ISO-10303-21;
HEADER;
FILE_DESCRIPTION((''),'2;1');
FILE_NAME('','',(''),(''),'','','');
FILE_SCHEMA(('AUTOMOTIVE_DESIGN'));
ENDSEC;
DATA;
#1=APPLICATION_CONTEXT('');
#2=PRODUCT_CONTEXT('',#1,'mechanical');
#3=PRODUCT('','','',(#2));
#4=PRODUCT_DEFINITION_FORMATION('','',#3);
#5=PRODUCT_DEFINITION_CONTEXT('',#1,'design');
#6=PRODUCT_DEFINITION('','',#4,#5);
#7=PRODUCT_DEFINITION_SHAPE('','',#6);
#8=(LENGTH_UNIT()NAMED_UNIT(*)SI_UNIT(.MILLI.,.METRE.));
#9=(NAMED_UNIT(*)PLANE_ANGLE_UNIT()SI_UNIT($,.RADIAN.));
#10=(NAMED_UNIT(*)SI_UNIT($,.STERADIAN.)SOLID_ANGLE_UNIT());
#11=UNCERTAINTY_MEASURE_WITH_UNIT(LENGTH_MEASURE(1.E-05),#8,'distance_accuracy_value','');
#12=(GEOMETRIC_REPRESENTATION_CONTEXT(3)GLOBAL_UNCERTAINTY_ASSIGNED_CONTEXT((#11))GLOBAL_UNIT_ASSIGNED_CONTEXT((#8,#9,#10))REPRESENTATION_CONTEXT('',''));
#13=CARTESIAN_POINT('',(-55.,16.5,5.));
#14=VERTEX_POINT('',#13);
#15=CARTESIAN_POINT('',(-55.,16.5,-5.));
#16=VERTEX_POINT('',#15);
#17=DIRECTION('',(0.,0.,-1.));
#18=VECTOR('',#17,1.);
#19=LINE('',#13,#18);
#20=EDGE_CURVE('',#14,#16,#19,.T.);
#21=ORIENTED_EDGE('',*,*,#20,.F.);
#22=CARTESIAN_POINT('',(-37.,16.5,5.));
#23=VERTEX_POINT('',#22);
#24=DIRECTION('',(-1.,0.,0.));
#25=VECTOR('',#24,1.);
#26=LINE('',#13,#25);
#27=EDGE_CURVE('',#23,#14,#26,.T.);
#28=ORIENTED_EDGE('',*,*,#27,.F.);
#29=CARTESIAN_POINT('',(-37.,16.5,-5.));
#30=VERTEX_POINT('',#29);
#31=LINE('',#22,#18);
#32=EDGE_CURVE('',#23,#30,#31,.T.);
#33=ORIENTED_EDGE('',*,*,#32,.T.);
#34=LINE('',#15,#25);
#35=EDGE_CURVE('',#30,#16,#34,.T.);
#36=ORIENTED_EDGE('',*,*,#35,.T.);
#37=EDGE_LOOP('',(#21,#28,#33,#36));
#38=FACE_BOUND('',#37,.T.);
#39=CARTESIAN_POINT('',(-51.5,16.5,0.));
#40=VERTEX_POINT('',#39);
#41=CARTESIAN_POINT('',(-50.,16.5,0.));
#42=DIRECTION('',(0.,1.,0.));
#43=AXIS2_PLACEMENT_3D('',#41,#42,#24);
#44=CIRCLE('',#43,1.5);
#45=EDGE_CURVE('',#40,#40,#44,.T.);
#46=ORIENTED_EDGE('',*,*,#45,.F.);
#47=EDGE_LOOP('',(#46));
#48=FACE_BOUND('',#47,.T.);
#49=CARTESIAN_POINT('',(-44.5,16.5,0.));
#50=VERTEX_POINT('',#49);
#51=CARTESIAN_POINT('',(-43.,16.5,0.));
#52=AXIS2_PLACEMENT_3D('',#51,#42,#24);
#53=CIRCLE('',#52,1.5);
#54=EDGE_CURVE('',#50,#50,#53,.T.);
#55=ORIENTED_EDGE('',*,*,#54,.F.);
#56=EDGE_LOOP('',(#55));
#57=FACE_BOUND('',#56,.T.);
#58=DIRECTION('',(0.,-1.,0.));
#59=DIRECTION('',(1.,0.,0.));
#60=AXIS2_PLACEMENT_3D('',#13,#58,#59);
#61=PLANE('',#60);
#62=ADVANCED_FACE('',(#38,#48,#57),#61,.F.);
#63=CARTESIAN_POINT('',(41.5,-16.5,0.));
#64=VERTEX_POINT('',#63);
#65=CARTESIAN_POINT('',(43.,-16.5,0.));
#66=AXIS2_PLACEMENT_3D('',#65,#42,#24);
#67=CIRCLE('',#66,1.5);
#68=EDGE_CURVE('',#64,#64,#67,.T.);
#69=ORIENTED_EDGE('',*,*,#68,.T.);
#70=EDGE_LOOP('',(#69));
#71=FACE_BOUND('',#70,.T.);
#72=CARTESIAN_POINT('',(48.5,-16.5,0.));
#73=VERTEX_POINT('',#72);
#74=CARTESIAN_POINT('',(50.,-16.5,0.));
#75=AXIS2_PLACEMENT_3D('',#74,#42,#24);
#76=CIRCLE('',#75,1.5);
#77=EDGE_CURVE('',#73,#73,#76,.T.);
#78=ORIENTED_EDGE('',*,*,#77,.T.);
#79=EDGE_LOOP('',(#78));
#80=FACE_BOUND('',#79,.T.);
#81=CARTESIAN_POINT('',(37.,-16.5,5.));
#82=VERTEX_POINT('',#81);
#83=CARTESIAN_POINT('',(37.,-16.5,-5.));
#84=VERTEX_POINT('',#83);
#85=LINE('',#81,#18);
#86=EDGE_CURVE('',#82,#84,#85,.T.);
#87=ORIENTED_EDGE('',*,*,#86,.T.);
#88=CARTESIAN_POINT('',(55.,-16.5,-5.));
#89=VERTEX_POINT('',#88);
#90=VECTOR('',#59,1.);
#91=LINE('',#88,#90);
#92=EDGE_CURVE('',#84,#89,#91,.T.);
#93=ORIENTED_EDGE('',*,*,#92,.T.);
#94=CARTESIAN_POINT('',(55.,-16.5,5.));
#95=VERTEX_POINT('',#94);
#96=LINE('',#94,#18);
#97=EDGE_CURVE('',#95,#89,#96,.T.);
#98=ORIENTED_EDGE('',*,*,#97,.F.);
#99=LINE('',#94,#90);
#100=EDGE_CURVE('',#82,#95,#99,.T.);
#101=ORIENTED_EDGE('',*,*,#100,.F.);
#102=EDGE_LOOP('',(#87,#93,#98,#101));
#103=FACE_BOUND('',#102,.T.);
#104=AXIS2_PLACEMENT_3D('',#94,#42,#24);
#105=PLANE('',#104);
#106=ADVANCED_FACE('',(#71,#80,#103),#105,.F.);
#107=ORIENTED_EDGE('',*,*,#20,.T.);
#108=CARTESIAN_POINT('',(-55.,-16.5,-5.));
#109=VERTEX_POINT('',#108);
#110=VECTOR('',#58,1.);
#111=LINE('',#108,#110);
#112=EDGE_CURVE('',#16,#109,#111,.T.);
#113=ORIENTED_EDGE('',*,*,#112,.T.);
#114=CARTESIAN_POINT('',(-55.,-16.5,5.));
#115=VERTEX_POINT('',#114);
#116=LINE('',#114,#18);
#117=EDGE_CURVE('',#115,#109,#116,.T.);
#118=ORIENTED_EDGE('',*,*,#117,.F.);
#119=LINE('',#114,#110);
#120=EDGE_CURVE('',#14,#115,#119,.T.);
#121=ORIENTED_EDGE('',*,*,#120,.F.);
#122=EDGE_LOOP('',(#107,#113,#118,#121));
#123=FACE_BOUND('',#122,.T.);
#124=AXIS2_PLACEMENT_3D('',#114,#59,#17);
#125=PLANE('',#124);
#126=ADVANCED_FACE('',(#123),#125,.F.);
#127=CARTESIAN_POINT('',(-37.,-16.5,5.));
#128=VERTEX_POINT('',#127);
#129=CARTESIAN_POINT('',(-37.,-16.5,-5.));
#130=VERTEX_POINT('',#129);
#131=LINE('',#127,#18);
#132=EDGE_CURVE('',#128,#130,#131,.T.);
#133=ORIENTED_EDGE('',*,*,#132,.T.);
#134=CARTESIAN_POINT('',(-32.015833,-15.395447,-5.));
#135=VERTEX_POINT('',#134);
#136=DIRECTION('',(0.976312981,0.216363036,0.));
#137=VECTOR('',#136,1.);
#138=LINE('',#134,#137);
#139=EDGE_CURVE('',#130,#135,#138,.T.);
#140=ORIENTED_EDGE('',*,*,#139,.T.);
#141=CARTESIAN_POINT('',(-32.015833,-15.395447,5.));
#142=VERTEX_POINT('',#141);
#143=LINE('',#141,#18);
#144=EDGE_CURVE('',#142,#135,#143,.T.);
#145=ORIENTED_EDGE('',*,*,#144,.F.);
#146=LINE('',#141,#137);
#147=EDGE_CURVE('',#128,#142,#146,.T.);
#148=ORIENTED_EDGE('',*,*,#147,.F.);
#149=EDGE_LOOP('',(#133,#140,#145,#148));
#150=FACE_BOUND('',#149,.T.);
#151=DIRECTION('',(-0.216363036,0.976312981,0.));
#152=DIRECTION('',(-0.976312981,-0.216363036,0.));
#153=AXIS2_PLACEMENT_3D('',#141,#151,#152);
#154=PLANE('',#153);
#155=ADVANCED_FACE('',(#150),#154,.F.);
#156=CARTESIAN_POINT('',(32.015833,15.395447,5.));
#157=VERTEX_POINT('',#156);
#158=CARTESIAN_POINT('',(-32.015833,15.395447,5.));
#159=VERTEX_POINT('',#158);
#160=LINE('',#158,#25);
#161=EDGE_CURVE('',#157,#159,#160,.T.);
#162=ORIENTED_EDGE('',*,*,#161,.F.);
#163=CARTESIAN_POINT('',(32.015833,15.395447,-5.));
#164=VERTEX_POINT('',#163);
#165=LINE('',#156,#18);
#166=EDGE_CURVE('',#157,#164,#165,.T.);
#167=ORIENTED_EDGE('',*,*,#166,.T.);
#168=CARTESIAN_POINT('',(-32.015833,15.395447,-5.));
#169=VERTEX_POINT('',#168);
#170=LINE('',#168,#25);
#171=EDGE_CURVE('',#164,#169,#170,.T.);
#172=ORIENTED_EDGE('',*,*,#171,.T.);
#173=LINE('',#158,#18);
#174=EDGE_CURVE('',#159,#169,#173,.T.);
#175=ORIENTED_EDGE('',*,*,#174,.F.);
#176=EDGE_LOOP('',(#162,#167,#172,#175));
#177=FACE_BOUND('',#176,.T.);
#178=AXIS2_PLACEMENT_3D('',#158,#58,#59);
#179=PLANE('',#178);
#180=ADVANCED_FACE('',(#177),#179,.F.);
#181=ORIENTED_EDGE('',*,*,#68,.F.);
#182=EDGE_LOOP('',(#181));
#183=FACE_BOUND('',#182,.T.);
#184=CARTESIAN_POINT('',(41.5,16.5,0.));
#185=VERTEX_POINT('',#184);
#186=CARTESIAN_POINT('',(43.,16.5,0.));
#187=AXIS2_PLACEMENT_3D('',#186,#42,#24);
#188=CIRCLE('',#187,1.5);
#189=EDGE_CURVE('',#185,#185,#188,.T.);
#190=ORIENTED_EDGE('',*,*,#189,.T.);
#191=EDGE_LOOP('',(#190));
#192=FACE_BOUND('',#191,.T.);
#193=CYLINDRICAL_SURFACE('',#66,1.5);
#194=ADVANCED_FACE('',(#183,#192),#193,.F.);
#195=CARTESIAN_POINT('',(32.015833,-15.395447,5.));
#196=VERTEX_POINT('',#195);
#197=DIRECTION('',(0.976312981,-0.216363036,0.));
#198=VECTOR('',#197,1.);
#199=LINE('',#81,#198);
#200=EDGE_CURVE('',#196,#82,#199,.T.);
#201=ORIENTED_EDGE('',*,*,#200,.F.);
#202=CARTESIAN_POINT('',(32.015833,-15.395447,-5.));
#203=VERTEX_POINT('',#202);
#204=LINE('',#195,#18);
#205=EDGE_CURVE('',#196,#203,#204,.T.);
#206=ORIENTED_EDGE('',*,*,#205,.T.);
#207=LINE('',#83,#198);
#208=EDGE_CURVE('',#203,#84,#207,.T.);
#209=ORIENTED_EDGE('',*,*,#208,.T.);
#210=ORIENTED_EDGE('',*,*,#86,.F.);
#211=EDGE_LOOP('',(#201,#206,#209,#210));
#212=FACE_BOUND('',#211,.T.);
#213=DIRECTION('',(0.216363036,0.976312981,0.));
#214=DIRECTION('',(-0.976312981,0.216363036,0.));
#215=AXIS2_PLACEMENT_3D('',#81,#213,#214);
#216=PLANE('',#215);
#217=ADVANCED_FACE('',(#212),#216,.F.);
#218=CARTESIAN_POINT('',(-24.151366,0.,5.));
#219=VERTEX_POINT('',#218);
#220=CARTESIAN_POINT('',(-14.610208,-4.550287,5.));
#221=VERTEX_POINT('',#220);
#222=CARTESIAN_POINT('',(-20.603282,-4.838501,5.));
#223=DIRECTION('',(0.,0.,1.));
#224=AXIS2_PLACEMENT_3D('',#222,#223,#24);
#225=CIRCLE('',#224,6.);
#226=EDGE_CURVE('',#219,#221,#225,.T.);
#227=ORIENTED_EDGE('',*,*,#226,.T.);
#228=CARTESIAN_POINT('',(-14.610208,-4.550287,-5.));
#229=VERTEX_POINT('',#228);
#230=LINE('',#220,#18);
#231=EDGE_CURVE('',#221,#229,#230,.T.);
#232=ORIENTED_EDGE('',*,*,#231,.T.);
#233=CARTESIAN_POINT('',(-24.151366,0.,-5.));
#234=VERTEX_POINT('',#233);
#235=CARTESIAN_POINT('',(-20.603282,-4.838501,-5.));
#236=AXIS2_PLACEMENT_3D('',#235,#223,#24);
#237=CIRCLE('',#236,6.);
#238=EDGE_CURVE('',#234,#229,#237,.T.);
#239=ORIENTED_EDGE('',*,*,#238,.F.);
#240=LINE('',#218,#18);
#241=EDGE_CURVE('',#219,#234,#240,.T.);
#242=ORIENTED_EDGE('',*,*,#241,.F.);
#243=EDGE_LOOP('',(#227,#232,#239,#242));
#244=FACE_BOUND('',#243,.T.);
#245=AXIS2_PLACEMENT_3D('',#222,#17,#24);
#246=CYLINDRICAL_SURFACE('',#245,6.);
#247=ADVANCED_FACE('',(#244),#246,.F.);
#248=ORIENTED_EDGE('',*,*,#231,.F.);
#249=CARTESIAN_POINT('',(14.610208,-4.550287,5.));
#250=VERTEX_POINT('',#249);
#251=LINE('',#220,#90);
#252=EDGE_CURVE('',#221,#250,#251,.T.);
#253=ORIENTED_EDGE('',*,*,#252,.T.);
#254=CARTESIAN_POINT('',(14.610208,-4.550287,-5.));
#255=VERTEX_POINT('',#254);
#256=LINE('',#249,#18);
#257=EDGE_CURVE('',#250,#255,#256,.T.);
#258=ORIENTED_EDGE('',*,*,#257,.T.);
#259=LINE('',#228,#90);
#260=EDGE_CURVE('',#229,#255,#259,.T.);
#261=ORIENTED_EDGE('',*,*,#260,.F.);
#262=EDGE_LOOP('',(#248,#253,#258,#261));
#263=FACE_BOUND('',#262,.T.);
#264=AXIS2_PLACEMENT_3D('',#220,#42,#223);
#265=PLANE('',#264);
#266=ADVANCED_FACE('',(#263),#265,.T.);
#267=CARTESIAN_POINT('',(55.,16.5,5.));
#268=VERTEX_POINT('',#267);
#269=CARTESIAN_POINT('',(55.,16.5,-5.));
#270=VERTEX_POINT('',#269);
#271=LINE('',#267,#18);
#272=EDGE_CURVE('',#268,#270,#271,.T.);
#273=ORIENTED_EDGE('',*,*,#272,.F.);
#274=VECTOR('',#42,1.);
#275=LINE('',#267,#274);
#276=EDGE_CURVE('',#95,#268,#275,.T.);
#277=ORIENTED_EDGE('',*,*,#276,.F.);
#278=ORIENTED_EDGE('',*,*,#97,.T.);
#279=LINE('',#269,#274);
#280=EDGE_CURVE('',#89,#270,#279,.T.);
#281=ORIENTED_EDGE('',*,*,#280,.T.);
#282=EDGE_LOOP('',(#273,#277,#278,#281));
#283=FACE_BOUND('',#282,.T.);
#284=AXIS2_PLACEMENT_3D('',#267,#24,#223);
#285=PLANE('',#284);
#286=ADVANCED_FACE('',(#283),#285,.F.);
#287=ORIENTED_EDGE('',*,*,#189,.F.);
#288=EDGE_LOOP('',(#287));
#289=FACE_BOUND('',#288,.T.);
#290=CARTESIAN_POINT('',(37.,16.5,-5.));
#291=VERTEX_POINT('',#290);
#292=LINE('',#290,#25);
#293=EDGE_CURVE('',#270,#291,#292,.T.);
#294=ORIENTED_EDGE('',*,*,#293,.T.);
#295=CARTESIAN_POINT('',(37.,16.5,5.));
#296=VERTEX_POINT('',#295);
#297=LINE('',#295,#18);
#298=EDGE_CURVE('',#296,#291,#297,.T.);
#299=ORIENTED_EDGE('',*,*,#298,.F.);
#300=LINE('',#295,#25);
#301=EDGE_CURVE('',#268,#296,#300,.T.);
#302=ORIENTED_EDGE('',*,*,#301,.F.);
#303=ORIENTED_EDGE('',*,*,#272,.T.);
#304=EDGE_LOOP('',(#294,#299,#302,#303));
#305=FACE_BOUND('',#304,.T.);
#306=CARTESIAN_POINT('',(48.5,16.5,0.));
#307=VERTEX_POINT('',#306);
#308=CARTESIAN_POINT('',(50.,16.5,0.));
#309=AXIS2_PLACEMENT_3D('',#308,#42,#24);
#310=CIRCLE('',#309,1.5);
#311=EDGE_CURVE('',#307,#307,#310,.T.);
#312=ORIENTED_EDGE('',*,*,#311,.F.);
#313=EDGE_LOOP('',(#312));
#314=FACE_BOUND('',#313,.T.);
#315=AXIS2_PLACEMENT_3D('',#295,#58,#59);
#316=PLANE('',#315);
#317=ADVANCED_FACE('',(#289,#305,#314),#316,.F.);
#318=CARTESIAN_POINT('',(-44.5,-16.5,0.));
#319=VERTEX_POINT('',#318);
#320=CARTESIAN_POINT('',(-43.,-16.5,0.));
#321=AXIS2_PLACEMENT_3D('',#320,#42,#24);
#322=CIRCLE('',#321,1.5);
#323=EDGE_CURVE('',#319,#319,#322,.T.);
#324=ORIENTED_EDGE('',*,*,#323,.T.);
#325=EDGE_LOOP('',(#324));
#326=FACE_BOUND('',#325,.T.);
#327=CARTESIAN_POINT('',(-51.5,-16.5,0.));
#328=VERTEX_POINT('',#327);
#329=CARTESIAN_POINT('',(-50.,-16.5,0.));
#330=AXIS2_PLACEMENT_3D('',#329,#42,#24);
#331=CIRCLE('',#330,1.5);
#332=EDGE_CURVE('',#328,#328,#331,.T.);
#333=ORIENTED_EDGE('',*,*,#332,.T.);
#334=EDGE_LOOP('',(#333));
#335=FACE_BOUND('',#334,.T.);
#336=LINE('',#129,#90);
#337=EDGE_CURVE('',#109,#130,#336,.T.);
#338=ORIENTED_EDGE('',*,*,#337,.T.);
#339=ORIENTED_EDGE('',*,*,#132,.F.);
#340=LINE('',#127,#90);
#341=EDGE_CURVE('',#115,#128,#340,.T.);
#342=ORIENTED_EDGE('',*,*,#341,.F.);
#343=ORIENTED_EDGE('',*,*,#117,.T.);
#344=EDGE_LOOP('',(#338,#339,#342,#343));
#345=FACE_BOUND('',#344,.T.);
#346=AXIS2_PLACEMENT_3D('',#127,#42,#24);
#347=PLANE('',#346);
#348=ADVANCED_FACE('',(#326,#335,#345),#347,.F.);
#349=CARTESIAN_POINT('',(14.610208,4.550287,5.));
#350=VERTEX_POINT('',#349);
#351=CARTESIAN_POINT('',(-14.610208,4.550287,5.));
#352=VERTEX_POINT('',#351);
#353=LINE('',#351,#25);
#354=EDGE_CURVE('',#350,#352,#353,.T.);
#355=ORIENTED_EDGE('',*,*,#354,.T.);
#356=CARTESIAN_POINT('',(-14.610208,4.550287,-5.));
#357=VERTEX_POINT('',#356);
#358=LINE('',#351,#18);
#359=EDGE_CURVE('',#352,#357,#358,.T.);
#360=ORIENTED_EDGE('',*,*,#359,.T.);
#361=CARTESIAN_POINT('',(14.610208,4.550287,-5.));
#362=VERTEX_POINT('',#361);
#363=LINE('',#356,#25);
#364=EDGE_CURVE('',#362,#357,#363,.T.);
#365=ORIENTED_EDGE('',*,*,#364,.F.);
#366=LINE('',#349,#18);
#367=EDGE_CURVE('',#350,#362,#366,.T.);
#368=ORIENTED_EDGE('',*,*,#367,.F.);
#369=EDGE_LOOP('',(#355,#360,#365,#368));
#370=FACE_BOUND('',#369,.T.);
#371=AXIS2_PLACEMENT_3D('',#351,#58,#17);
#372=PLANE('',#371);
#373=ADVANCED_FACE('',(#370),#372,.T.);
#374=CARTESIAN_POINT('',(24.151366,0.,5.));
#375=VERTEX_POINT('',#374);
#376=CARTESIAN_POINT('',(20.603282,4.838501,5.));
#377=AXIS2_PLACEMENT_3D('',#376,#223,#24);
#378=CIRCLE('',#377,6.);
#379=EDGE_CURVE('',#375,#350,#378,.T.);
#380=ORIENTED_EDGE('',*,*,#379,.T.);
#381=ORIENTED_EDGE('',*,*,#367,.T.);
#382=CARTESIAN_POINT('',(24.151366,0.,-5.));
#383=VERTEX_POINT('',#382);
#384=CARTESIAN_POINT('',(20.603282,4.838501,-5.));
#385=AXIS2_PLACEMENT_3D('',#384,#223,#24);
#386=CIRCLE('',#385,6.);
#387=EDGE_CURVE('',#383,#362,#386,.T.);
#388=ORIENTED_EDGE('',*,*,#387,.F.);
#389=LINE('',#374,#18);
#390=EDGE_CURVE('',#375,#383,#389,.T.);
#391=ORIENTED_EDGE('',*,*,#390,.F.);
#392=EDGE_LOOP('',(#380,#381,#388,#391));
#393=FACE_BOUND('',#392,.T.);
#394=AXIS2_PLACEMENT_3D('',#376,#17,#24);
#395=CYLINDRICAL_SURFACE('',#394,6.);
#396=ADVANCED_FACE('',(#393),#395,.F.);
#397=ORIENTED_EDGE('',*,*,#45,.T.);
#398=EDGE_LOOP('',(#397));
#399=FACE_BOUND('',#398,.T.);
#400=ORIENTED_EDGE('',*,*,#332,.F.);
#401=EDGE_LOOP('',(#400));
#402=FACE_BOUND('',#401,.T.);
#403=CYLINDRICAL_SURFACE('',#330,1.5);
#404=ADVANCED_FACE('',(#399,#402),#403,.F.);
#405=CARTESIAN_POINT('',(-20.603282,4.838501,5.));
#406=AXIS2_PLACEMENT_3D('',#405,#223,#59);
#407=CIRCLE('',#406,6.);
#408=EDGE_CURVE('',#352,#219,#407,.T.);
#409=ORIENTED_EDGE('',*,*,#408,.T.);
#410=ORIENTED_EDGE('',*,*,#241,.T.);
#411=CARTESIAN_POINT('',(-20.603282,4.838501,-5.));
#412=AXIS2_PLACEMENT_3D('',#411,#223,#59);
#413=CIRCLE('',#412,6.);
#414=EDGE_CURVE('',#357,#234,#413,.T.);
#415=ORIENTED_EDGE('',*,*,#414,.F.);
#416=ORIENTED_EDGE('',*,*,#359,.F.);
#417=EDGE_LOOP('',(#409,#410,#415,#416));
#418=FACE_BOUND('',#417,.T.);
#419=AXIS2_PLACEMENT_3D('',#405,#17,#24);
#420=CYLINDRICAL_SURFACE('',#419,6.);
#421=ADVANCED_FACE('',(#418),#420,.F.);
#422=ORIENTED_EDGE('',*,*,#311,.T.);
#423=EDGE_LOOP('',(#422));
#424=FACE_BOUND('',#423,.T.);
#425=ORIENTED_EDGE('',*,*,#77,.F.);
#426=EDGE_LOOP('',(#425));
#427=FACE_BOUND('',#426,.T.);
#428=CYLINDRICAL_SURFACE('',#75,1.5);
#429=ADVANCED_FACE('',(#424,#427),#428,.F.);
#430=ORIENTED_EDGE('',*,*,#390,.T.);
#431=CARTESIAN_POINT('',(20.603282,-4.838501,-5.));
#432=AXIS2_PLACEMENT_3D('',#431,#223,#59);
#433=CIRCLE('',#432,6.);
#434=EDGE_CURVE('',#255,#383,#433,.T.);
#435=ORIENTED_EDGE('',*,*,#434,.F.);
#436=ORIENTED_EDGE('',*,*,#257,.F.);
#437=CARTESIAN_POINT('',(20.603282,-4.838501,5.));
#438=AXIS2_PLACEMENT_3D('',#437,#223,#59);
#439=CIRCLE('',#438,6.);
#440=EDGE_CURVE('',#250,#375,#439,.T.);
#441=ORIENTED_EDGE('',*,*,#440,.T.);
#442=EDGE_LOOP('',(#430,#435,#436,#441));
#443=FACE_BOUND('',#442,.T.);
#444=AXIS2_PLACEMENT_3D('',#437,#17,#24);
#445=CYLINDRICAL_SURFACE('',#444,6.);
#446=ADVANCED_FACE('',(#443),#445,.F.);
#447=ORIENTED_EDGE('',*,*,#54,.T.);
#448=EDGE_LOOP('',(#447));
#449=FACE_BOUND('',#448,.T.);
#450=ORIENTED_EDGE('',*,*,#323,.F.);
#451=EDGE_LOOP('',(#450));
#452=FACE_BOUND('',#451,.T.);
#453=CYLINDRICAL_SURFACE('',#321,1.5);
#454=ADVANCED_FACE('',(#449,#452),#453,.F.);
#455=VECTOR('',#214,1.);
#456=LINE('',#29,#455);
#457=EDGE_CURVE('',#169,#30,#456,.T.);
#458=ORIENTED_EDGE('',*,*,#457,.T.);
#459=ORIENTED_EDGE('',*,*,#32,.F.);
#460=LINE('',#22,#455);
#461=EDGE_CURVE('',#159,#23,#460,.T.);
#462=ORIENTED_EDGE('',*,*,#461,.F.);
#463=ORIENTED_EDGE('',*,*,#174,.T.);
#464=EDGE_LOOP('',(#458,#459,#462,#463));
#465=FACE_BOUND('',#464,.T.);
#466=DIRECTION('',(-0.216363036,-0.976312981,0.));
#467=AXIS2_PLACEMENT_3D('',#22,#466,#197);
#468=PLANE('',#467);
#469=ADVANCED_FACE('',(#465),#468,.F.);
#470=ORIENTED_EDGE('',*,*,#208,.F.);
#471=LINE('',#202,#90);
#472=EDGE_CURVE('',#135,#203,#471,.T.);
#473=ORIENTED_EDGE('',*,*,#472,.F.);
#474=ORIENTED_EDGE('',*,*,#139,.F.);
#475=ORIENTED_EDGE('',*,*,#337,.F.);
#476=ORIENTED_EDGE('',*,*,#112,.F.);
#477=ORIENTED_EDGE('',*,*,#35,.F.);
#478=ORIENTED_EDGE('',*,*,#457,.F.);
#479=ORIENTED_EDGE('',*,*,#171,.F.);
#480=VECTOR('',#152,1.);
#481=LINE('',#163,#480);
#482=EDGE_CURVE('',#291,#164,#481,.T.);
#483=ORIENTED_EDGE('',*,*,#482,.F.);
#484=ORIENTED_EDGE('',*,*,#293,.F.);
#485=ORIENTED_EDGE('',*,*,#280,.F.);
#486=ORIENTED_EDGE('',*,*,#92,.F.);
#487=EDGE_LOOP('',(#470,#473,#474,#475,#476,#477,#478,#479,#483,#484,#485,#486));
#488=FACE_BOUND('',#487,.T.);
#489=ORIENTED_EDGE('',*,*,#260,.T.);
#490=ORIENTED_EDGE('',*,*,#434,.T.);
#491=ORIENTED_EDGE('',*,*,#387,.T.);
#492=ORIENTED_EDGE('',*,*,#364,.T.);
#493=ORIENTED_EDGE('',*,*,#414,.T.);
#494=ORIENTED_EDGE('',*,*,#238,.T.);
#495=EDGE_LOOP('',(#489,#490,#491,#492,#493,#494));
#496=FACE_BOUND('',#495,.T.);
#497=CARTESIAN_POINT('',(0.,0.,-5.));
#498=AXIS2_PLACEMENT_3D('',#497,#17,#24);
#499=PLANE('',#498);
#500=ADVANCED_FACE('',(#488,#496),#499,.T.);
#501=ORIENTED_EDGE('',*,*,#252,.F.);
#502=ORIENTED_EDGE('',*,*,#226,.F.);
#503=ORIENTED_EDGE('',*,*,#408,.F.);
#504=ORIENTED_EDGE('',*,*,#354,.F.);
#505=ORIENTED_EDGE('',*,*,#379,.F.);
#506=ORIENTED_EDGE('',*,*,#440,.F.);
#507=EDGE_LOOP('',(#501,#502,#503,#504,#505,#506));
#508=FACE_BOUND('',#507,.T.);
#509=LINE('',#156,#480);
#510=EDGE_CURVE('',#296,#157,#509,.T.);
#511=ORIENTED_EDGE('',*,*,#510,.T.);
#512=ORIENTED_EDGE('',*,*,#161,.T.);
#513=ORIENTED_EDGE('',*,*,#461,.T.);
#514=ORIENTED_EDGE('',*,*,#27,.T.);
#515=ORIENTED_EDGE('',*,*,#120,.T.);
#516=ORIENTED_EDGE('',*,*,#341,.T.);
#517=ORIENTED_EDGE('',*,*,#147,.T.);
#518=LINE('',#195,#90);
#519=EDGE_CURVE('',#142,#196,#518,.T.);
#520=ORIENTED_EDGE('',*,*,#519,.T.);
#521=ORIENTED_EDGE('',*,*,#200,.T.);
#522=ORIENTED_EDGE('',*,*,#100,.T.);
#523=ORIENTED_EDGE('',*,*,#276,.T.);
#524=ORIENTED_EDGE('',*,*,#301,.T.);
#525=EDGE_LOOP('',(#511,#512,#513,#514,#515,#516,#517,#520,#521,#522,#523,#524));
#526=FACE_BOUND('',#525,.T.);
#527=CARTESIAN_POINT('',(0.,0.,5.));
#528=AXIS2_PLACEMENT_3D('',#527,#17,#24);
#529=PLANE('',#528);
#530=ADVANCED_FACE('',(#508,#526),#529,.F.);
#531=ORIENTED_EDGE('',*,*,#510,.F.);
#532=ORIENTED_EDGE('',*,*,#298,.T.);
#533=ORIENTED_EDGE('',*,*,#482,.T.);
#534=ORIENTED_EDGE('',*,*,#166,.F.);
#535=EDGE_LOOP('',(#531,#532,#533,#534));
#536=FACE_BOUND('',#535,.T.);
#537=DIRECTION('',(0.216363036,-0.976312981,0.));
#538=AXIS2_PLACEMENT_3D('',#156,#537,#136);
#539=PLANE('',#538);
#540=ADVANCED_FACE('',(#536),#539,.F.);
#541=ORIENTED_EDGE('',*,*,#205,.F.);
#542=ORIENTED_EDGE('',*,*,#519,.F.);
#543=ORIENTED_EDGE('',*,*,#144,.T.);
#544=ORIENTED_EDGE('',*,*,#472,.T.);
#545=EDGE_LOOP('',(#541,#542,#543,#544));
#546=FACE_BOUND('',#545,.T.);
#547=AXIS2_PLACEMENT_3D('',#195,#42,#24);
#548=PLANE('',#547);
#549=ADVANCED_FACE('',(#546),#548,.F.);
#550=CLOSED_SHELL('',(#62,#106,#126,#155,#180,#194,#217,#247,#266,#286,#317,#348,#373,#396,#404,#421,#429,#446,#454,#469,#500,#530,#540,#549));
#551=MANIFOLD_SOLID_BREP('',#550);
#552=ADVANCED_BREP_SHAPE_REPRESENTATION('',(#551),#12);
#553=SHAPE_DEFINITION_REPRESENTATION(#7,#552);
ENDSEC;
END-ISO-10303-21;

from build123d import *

# Parameters (mm, degrees)
BOSS_EXTRUDE1_DEPTH = 5
SKETCH3_R           = 1.5
CUT_EXTRUDE1_DEPTH  = 65.335060426


with BuildPart() as part:
    # Sketch1 → Boss-Extrude1 (new, symmetric)
    with BuildSketch(Plane.XY):
        Polygon((-55, 16.5), (-37, 16.5), (-32.015833371, 15.395447006), (32.015833371, 15.395447006), (37, 16.5), (55, 16.5), (55, -16.5), (37, -16.5), (32.015833371, -15.395447006), (-32.015833371, -15.395447006), (-37, -16.5), (-55, -16.5), align=None)
        with BuildLine():
            Line((-14.610208109, 4.550286626), (14.610208109, 4.550286626))
            ThreePointArc((14.610208109, 4.550286626), (23.186065182, 10.254148163), (24.151366397, 0))
            ThreePointArc((24.151366397, 0), (23.186065182, -10.254148163), (14.610208109, -4.550286626))
            Line((14.610208109, -4.550286626), (-14.610208109, -4.550286626))
            ThreePointArc((-14.610208109, -4.550286626), (-23.186065182, -10.254148163), (-24.151366397, 0))
            ThreePointArc((-24.151366397, 0), (-23.186065182, 10.254148163), (-14.610208109, 4.550286626))
        make_face(mode=Mode.SUBTRACT)
    extrude(amount=BOSS_EXTRUDE1_DEPTH, both=True)

    # Sketch3 → Cut-Extrude1 (cut, through all)
    with BuildSketch(Plane(origin=(0, 16.5, 0), x_dir=(1, 0, 0), z_dir=(0, 1, 0))):
        with Locations(Location((-50, 0, 0), (0, 0, 180))):
            Circle(SKETCH3_R)
        with Locations(Location((-43, 0, 0), (0, 0, 180))):
            Circle(SKETCH3_R)
        with Locations(Location((43, 0, 0), (0, 0, 180))):
            Circle(SKETCH3_R)
        with Locations(Location((50, 0, 0), (0, 0, 180))):
            Circle(SKETCH3_R)
    extrude(amount=-CUT_EXTRUDE1_DEPTH, mode=Mode.SUBTRACT)


solid = part.part
